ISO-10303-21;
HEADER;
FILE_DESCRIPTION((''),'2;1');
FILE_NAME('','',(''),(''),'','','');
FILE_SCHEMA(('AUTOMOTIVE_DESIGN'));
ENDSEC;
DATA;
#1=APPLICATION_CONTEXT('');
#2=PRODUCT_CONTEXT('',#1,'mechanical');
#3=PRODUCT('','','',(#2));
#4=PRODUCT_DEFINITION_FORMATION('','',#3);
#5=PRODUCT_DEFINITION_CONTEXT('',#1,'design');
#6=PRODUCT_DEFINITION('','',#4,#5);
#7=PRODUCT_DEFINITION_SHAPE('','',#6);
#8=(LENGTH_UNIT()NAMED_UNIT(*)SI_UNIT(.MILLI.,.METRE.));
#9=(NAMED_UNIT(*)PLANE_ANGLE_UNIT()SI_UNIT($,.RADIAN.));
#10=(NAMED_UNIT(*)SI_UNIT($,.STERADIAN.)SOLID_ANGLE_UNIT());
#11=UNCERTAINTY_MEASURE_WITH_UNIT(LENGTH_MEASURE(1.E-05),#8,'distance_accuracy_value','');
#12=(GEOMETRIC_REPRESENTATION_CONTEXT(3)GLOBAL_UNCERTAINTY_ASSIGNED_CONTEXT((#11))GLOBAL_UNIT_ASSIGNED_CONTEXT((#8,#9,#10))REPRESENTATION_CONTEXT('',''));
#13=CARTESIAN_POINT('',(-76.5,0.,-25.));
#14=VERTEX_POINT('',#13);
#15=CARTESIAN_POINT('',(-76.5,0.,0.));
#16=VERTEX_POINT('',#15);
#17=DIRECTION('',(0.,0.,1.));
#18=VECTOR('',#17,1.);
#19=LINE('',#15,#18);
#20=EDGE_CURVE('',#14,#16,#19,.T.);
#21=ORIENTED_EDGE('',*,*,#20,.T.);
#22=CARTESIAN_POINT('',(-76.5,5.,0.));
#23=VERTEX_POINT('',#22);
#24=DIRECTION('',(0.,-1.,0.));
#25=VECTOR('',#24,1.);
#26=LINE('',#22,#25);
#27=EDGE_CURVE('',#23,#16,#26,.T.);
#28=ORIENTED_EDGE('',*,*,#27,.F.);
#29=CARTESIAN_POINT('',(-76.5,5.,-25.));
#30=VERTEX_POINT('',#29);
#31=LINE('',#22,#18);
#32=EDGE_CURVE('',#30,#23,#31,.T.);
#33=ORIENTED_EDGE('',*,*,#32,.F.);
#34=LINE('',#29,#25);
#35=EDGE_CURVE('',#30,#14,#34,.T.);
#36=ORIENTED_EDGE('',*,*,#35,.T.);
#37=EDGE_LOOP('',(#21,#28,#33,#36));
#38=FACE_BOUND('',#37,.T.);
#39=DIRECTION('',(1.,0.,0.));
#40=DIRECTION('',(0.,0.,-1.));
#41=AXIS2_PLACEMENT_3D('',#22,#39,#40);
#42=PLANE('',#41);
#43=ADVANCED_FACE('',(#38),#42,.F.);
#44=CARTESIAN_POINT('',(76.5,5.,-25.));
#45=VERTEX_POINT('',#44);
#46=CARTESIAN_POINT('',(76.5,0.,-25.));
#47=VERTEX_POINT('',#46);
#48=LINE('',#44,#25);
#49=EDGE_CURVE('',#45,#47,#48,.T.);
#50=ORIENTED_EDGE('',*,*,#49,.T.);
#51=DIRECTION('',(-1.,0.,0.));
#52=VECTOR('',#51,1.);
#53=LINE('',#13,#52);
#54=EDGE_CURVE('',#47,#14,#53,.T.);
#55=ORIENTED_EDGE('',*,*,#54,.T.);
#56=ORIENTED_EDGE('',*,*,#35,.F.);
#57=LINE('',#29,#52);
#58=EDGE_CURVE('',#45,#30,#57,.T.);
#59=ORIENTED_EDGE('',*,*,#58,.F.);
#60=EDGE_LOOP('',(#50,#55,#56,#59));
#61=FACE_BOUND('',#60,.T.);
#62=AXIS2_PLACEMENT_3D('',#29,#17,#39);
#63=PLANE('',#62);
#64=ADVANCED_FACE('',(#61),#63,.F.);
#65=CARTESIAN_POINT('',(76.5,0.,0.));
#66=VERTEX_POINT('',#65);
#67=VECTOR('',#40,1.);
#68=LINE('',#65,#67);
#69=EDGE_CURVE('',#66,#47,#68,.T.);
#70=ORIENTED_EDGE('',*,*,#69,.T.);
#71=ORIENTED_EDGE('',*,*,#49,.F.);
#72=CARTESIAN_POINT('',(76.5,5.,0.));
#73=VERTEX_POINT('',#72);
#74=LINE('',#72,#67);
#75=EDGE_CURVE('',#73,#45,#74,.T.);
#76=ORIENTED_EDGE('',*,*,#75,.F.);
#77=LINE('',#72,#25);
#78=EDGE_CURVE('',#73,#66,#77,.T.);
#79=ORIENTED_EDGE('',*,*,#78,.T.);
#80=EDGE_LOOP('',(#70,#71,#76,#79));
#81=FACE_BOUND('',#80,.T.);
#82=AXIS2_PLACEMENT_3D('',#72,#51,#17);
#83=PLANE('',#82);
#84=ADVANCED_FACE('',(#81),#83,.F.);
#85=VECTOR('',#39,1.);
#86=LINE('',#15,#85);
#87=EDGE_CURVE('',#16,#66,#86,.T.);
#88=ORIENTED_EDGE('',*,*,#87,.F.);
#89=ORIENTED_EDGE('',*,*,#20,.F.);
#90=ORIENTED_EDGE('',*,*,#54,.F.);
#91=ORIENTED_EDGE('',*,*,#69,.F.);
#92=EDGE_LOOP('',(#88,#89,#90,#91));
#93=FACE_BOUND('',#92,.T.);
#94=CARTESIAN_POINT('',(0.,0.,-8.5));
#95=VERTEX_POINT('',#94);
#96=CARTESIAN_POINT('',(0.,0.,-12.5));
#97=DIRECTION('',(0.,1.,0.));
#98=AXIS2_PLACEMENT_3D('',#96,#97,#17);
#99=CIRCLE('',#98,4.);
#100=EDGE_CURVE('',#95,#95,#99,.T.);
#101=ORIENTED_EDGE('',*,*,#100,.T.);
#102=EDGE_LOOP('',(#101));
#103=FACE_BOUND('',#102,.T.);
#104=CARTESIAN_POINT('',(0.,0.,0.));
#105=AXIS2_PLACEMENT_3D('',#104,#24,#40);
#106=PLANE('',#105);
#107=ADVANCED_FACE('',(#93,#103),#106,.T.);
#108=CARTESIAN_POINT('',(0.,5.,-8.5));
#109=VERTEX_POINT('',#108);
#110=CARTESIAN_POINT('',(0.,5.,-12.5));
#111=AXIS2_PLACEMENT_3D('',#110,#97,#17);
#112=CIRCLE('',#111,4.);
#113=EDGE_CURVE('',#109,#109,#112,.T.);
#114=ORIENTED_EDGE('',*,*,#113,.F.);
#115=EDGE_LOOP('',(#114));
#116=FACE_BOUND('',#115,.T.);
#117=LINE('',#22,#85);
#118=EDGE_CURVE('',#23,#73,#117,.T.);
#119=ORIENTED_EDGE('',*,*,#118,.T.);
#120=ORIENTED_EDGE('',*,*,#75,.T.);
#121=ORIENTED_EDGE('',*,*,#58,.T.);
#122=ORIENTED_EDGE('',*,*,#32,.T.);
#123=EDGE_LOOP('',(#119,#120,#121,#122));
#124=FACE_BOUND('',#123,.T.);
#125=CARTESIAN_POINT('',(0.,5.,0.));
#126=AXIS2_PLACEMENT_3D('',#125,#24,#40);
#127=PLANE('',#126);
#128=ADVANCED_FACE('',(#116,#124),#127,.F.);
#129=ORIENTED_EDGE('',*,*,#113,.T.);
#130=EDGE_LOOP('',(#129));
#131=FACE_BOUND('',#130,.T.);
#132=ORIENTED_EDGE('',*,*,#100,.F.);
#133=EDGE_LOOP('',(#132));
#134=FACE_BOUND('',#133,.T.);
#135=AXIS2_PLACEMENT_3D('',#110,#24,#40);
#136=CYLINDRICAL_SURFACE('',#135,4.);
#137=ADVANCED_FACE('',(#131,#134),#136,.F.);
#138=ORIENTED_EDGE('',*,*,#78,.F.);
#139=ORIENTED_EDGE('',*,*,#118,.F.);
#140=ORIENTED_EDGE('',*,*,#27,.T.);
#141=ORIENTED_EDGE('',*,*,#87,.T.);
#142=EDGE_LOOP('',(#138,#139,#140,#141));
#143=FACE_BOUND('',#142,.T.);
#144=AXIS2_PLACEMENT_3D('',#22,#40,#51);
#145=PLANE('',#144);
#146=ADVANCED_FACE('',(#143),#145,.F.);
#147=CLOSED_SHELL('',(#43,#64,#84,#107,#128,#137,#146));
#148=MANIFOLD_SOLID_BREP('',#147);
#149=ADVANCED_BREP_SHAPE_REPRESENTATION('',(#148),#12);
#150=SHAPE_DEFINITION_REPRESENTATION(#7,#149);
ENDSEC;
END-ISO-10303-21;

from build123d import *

# Parameters (mm, degrees)
SKETCH1_W           = 153
SKETCH1_H           = 25
SKETCH1_R           = 4
BOSS_EXTRUDE1_DEPTH = 5


with BuildPart() as part:
    # Sketch1 → Boss-Extrude1 (new body)
    with BuildSketch(Plane(origin=(0, 0, 0), x_dir=(1, 0, 0), z_dir=(0, 1, 0))):
        with Locations((0, 12.5)):
            Rectangle(SKETCH1_W, SKETCH1_H)
        with Locations(Location((0, 12.5, 0), (0, 0, 270))):
            Circle(SKETCH1_R, mode=Mode.SUBTRACT)
    extrude(amount=BOSS_EXTRUDE1_DEPTH)


solid = part.part
